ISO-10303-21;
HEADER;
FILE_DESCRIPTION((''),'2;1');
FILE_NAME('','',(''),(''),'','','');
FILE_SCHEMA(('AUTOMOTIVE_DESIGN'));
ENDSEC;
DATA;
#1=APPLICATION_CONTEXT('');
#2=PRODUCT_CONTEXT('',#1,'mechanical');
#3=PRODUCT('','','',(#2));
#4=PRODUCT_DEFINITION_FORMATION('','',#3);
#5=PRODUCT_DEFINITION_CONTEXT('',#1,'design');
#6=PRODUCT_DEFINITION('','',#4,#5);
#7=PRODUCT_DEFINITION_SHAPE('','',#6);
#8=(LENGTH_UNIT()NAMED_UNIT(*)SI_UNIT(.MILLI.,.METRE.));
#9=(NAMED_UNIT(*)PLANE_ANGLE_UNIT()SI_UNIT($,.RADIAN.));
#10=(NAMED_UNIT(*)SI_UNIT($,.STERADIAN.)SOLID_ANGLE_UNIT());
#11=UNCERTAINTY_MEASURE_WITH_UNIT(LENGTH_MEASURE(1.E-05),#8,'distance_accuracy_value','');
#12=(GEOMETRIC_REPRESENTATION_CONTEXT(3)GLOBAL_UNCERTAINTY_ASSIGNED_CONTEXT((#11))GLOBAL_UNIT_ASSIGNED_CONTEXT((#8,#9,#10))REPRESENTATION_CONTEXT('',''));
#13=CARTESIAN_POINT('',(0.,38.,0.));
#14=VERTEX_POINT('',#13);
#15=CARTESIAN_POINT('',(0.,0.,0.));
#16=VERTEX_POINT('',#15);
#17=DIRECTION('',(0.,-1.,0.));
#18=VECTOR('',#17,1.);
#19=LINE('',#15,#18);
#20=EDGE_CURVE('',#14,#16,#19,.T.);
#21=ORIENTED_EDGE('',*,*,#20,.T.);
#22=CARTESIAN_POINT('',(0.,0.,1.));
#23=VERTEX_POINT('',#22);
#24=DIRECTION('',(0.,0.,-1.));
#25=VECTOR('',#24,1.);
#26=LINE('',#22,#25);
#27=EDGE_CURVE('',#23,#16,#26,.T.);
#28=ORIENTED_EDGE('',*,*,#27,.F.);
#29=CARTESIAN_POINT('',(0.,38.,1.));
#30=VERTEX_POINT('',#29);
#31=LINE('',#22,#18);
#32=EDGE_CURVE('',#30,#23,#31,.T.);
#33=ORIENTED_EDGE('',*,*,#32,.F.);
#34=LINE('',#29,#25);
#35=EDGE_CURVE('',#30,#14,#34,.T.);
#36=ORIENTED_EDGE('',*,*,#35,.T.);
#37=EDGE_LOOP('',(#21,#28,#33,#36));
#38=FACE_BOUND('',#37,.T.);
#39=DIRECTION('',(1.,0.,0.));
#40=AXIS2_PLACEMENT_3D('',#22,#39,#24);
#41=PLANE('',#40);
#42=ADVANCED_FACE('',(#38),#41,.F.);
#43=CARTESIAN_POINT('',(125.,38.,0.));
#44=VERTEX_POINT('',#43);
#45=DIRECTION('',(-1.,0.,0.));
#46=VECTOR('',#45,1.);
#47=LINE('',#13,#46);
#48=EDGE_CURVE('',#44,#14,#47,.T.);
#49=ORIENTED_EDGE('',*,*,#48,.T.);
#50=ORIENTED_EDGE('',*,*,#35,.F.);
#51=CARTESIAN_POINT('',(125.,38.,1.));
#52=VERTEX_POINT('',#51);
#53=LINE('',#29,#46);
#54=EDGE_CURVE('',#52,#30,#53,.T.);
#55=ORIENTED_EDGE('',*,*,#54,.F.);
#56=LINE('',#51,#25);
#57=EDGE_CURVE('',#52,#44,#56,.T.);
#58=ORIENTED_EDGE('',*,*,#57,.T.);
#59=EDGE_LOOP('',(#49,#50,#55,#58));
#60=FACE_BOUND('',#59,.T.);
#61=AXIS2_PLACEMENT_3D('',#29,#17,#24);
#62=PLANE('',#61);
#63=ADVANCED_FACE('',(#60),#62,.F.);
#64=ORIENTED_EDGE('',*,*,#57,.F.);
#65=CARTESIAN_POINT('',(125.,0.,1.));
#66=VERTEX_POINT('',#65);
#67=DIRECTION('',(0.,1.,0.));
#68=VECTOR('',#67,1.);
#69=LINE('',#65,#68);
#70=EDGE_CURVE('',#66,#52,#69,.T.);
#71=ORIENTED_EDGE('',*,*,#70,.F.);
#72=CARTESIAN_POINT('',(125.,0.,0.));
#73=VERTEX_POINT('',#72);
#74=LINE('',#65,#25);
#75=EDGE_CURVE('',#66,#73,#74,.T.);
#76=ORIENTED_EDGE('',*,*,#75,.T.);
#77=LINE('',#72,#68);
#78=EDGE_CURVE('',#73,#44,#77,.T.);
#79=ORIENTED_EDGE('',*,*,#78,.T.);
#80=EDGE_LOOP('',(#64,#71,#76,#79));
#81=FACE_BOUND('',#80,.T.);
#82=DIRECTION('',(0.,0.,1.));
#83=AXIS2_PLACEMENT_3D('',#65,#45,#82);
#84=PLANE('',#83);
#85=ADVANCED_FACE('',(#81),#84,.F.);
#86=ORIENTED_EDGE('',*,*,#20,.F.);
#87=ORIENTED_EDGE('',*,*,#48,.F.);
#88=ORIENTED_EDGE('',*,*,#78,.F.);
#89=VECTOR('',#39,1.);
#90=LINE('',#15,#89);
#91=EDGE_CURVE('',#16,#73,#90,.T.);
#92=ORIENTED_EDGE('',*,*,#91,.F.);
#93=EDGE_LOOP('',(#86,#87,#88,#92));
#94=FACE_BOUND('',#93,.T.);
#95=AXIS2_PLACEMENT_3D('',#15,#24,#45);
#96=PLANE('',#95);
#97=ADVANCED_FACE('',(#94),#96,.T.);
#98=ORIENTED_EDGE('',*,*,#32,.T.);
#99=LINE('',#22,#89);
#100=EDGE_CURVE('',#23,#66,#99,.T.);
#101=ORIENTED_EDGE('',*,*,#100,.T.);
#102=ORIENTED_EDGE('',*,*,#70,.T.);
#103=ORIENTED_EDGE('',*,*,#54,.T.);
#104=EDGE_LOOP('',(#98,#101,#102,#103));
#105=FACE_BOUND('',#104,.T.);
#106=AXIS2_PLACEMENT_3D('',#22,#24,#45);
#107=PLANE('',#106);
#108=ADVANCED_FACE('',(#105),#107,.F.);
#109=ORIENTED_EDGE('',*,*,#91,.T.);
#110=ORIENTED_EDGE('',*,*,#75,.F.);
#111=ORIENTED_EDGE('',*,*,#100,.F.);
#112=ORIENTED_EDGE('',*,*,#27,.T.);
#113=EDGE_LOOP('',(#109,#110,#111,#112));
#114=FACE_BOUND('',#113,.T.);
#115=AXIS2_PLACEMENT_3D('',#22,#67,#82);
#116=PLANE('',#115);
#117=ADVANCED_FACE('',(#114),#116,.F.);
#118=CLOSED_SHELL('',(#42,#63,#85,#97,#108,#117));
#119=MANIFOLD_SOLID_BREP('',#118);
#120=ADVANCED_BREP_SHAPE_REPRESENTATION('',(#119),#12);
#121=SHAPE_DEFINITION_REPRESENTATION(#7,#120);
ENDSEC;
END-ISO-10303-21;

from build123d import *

# Parameters (mm, degrees)
SKETCH1_W     = 125
SKETCH1_H     = 38
PROFILE_DEPTH = 1


with BuildPart() as part:
    # Sketch1 → Profile (new body)
    with BuildSketch(Plane.XY):
        with Locations((62.5, 19)):
            Rectangle(SKETCH1_W, SKETCH1_H)
    extrude(amount=PROFILE_DEPTH)


solid = part.part
